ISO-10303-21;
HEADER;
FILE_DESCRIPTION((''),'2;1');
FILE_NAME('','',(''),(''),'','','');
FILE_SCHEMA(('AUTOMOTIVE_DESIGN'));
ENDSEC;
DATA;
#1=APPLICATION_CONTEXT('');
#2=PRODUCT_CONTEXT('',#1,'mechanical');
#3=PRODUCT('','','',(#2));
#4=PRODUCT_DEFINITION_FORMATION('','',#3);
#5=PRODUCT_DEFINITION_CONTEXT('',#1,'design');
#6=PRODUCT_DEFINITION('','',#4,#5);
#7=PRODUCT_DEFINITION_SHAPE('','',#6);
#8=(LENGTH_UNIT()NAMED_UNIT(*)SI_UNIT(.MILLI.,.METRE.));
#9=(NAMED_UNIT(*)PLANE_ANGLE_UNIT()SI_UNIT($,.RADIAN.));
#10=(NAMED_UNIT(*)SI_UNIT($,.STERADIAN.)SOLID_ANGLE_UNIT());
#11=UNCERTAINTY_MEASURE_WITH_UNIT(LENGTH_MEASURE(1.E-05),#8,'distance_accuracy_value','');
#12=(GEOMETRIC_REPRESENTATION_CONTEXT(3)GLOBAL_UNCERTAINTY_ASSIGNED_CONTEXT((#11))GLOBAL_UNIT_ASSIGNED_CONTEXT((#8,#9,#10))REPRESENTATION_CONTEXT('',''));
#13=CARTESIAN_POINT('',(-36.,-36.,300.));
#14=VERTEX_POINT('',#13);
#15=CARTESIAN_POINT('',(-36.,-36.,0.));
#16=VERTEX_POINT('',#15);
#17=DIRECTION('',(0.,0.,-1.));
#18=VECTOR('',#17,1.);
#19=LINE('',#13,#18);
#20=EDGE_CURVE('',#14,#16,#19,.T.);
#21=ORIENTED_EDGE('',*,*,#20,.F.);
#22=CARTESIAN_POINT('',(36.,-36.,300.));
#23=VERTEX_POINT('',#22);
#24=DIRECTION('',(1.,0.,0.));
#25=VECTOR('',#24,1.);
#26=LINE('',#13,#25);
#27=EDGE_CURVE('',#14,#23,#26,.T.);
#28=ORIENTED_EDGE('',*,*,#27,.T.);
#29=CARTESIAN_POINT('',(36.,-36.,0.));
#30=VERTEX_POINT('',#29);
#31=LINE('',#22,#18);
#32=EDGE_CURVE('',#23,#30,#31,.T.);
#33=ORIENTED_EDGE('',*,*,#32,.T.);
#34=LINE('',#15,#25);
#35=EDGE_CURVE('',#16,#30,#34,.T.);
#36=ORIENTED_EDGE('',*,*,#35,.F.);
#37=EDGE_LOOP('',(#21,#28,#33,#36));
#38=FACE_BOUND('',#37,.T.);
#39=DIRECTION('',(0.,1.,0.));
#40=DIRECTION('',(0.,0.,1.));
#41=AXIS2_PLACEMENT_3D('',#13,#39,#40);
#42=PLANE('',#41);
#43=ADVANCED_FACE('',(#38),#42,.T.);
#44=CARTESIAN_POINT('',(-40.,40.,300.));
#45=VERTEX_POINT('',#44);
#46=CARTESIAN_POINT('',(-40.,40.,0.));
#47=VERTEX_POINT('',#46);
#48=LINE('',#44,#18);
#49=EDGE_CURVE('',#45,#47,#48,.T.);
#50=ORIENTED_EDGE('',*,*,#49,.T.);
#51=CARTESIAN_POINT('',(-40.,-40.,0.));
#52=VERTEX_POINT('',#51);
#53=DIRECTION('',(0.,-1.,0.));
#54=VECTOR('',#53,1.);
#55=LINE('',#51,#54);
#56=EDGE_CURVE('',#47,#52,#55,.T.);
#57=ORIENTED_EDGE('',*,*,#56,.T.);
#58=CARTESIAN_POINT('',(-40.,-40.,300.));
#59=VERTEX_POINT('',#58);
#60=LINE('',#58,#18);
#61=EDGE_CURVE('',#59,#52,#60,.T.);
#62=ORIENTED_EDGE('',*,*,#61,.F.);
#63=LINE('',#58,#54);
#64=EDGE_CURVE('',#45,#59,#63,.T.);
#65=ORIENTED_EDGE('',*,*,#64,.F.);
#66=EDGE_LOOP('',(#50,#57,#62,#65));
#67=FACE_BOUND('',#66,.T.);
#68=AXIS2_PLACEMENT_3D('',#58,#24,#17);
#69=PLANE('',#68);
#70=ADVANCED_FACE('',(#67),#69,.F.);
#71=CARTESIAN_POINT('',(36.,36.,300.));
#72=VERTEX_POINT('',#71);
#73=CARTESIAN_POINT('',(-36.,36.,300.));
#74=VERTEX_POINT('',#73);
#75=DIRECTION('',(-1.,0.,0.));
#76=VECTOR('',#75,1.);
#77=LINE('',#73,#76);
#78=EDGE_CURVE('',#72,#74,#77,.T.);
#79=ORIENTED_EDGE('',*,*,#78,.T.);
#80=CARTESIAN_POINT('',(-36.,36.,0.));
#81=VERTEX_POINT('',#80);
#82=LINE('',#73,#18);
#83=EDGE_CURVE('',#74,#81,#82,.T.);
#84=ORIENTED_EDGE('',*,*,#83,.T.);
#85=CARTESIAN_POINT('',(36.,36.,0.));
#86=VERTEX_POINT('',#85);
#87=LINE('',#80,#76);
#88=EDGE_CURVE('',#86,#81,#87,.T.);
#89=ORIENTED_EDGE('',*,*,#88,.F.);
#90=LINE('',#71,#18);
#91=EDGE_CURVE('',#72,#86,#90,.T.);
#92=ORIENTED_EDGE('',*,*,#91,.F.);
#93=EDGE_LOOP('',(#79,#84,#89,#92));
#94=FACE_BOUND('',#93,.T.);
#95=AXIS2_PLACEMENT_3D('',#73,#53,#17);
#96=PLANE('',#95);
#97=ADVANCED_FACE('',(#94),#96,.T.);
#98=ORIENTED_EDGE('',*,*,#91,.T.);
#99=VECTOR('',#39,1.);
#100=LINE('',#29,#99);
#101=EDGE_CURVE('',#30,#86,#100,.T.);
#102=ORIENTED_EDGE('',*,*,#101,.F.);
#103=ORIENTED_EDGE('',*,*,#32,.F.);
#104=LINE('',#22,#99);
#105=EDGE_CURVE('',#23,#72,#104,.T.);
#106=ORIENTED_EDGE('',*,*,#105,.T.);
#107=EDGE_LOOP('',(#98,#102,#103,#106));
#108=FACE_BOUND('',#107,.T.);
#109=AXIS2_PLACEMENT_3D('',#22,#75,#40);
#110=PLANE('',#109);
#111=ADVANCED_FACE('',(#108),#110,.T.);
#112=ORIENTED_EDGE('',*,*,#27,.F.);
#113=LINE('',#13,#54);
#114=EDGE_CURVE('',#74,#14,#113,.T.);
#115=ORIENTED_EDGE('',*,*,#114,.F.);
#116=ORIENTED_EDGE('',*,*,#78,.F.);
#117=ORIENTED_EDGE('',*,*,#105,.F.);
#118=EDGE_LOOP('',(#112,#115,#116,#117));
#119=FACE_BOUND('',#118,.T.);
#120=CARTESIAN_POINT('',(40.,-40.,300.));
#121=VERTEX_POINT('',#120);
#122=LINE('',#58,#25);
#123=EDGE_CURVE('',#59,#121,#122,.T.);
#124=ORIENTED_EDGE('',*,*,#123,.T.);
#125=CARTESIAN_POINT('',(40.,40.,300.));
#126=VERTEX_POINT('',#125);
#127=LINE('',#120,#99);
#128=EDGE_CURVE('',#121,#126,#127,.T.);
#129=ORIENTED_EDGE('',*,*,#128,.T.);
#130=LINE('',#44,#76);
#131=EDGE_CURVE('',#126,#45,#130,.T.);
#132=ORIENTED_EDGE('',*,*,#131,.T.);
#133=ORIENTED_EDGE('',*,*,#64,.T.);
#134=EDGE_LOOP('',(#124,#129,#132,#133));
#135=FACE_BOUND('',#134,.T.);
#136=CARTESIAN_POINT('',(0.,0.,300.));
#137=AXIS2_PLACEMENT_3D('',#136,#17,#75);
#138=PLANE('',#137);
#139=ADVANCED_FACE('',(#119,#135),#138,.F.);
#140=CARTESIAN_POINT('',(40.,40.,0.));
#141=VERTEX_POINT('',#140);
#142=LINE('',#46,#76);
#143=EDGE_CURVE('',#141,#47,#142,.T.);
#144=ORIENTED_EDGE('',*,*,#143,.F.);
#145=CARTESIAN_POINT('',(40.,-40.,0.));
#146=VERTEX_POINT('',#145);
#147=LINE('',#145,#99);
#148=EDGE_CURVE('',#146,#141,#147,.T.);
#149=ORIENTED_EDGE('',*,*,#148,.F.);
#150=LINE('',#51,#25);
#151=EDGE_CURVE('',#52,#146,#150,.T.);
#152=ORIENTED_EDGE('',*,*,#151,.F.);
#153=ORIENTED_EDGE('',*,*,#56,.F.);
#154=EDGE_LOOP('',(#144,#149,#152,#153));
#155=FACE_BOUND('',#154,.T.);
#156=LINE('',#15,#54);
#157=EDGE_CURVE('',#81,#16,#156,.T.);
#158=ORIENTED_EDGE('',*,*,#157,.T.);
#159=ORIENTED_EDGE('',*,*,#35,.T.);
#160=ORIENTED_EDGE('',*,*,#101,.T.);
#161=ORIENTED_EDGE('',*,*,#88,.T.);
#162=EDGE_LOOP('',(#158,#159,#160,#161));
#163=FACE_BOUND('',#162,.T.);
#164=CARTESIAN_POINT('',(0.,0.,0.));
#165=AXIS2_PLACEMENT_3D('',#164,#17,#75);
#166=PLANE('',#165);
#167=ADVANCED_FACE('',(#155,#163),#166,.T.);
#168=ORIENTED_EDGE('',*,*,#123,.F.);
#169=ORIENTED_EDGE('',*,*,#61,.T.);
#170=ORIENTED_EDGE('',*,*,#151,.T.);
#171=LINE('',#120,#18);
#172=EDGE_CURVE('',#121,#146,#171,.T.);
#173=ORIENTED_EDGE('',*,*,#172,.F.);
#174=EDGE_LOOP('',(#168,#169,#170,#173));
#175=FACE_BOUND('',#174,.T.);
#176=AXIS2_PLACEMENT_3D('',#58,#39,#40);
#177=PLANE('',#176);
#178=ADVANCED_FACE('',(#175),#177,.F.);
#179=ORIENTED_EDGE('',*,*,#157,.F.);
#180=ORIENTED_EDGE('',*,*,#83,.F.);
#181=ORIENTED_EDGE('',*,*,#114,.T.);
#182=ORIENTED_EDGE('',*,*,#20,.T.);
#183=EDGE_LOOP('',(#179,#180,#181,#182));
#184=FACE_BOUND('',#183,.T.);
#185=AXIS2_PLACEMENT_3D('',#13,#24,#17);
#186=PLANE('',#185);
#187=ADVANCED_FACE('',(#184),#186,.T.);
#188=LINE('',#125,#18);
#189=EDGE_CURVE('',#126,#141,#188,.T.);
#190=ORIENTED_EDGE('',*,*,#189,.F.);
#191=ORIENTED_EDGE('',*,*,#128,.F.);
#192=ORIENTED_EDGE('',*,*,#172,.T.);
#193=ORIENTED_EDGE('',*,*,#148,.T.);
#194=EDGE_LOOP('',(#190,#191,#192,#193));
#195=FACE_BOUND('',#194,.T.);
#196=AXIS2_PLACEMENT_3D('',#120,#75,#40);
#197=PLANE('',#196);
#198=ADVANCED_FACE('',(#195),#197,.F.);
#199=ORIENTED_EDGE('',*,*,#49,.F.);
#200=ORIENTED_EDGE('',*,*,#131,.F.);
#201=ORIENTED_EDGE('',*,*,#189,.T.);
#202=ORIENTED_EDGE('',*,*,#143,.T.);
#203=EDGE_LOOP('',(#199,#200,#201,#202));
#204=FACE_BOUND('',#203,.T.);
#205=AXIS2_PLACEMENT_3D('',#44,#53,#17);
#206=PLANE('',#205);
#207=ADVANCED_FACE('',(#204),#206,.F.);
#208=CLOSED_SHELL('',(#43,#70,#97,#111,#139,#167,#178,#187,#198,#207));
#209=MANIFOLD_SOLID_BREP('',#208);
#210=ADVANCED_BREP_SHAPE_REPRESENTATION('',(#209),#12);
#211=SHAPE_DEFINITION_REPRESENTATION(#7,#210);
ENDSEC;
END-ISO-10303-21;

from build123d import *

# Parameters (mm, degrees)
SKETCH_1_W      = 80
SKETCH_1_H      = 80
SKETCH_1_W_2    = 72
SKETCH_1_H_2    = 72
EXTRUDE_1_DEPTH = 300


with BuildPart() as part:
    # Эскиз1 → Бобышка-Вытянуть1 (new body)
    with BuildSketch(Plane.XY):
        Rectangle(SKETCH_1_W, SKETCH_1_H)
        Rectangle(SKETCH_1_W_2, SKETCH_1_H_2, mode=Mode.SUBTRACT)
    extrude(amount=EXTRUDE_1_DEPTH)


solid = part.part
